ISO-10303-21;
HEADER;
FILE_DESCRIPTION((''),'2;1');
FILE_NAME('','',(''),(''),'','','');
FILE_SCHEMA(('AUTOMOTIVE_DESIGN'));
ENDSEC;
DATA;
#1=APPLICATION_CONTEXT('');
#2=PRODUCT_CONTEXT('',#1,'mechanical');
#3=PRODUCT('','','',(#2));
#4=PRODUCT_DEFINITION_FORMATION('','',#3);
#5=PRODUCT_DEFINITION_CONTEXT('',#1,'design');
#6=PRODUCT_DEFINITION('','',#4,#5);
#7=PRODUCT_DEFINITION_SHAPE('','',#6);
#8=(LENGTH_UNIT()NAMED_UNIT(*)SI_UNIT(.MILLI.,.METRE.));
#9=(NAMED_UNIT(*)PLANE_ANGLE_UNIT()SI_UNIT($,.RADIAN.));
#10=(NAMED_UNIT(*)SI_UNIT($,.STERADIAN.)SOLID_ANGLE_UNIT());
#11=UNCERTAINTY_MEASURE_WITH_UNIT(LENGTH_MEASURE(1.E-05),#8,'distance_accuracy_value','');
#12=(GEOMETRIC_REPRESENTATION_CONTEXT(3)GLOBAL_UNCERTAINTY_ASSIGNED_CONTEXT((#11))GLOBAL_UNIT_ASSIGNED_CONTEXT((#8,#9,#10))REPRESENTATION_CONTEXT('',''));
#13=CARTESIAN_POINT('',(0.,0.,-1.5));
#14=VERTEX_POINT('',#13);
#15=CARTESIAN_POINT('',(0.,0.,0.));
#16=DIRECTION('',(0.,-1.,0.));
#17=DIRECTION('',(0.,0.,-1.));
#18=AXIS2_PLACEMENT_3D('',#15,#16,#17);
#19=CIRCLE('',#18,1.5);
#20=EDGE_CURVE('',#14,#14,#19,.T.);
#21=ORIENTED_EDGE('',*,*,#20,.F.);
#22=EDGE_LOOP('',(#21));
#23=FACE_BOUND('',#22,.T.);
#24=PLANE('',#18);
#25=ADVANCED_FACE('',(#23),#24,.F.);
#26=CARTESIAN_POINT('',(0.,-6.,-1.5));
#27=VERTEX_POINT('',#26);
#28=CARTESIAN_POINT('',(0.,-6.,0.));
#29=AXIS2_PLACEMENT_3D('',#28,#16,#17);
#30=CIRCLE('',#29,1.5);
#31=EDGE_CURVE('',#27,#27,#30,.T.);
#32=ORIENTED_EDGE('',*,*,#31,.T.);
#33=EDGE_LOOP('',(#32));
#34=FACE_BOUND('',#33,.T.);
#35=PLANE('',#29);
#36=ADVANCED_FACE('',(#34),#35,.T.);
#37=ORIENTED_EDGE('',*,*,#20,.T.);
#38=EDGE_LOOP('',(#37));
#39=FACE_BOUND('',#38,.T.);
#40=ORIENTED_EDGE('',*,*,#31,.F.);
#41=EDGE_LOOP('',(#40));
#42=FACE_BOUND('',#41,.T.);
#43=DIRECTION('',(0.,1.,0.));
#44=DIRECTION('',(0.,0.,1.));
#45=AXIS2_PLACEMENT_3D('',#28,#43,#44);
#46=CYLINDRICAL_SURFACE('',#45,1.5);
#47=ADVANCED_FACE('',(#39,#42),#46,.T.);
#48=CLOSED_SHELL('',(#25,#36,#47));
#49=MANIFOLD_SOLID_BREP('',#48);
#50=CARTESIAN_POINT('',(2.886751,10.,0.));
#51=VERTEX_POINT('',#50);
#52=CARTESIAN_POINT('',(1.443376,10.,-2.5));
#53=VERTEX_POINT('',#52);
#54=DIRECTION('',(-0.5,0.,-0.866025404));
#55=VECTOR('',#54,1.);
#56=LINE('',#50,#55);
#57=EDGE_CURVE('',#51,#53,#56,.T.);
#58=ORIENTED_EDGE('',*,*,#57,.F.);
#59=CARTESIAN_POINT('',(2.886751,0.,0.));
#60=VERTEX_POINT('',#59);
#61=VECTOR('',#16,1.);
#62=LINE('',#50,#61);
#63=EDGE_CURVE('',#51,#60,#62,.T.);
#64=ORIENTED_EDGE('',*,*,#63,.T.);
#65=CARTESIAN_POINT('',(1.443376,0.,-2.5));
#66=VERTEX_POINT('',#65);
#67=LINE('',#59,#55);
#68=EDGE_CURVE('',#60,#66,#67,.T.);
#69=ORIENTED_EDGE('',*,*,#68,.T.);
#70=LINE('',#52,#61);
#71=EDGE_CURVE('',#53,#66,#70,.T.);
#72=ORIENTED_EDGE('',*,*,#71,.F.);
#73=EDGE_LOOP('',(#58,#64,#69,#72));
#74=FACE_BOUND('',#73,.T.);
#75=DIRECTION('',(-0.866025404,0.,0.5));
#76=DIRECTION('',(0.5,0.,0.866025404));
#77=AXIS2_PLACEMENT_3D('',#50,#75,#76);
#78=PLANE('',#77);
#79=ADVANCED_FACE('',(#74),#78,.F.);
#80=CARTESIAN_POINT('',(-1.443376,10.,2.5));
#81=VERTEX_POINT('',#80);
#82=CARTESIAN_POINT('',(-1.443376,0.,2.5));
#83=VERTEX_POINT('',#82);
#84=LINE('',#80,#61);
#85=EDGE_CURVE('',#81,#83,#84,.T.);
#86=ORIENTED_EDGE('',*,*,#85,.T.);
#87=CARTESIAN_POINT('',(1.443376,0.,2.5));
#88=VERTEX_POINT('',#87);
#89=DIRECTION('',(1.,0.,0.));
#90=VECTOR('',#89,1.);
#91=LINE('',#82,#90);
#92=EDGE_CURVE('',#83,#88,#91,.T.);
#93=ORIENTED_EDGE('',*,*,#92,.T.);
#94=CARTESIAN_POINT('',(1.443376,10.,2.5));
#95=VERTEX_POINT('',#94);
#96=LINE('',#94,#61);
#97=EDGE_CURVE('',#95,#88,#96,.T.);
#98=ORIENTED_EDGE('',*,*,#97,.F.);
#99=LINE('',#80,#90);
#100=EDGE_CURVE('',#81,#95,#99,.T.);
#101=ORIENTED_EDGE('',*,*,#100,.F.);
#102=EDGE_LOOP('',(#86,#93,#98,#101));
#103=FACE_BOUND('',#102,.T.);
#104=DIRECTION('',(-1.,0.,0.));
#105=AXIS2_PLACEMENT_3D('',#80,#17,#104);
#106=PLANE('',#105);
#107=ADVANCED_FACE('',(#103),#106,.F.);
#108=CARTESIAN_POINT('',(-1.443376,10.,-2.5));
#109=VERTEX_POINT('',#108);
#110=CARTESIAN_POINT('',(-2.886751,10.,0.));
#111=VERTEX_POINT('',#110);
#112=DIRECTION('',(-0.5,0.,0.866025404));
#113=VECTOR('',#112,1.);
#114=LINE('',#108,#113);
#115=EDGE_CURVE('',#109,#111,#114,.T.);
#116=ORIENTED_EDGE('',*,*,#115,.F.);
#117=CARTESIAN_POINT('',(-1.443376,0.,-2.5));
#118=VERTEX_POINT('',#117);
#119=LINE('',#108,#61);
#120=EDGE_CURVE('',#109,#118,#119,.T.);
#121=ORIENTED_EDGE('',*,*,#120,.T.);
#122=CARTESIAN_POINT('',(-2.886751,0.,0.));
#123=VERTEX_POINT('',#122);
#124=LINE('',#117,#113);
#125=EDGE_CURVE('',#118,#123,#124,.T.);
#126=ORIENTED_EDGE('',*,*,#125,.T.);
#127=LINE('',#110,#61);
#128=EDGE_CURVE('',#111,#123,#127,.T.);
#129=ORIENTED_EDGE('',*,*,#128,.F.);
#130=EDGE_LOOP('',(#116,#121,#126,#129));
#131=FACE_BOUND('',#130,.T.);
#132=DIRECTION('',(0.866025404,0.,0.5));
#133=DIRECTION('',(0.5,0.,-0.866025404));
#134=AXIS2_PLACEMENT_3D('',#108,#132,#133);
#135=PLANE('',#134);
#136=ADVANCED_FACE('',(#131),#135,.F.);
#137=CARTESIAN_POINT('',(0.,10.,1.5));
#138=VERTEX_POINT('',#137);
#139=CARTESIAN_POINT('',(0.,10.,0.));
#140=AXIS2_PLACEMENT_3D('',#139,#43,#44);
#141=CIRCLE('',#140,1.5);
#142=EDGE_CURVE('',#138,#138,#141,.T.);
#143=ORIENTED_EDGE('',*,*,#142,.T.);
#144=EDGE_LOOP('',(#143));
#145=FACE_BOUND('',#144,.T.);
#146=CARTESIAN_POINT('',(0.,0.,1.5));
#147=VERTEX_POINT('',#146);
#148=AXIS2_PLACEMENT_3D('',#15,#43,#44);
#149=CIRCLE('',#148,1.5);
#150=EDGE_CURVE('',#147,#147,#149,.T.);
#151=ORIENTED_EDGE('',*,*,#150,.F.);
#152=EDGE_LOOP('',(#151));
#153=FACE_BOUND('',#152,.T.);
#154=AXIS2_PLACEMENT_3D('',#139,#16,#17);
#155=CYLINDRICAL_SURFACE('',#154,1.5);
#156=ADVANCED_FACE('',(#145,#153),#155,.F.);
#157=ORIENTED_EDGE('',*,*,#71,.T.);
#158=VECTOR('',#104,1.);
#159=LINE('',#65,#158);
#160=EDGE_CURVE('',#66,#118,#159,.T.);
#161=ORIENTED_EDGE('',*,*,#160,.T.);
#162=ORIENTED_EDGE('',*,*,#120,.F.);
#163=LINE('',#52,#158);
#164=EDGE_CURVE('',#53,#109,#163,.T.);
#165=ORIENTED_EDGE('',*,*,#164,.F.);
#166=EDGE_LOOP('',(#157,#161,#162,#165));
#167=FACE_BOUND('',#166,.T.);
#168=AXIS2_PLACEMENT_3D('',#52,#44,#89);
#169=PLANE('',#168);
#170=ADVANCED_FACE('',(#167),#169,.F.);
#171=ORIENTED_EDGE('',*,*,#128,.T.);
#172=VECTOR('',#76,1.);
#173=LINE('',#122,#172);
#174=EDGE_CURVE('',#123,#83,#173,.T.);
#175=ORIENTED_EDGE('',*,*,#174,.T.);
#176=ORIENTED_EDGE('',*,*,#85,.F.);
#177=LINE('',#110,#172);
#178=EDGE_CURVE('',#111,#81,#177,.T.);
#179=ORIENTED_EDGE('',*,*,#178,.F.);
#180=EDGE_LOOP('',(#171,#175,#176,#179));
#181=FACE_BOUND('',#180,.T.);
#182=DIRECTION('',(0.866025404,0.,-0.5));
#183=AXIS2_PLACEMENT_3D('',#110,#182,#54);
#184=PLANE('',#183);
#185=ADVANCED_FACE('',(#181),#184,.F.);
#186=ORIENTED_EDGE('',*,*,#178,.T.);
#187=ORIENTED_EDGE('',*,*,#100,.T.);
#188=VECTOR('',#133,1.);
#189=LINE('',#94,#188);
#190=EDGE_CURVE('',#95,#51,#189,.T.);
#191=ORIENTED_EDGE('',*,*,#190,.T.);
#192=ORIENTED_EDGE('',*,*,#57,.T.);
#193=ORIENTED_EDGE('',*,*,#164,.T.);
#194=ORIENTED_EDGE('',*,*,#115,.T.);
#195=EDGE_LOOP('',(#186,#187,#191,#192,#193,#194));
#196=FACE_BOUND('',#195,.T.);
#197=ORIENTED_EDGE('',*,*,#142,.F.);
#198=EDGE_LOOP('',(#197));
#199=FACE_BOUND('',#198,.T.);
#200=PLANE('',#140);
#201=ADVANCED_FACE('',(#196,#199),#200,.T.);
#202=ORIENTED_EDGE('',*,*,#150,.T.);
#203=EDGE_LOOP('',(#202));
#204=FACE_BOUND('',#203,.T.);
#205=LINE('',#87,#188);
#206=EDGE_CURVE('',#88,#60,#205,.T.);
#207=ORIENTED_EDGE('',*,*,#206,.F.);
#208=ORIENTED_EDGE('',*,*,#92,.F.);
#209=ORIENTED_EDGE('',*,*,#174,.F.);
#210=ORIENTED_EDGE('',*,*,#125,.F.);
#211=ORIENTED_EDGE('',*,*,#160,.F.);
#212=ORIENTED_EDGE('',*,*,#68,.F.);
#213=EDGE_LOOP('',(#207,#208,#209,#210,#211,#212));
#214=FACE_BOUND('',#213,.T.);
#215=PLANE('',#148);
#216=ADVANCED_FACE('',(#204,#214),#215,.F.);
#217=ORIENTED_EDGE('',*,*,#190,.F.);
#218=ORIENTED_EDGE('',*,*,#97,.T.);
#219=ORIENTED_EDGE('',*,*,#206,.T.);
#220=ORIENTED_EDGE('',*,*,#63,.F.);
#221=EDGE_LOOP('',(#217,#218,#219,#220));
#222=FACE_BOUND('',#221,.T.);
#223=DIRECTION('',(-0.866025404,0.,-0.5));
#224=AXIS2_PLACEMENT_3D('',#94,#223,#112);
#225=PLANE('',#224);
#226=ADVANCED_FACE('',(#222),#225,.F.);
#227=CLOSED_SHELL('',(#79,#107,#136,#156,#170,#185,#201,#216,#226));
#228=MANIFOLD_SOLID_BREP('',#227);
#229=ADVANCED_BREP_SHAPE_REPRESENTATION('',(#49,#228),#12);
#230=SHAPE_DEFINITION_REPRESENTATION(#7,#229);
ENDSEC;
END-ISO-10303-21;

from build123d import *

# Parameters (mm, degrees)
CROQUIS1_R              = 1.5
SALIENTE_EXTRUIR1_DEPTH = 10
CROQUIS2_R              = 1.5
SALIENTE_EXTRUIR2_DEPTH = 6


with BuildPart() as part:
    # Croquis1 → Saliente-Extruir1 (new body)
    with BuildSketch(Plane(origin=(0, 0, 0), x_dir=(1, 0, 0), z_dir=(0, 1, 0))):
        Polygon((1.443375673, -2.5), (2.886751346, 0), (1.443375673, 2.5), (-1.443375673, 2.5), (-2.886751346, 0), (-1.443375673, -2.5), align=None)
        Circle(CROQUIS1_R, mode=Mode.SUBTRACT)
    extrude(amount=SALIENTE_EXTRUIR1_DEPTH)


with BuildPart() as body_2:
    # Croquis2 → Saliente-Extruir2 (new body)
    with BuildSketch(Plane.XZ):
        Circle(CROQUIS2_R)
    extrude(amount=SALIENTE_EXTRUIR2_DEPTH)


solid = Compound([part.part, body_2.part])
